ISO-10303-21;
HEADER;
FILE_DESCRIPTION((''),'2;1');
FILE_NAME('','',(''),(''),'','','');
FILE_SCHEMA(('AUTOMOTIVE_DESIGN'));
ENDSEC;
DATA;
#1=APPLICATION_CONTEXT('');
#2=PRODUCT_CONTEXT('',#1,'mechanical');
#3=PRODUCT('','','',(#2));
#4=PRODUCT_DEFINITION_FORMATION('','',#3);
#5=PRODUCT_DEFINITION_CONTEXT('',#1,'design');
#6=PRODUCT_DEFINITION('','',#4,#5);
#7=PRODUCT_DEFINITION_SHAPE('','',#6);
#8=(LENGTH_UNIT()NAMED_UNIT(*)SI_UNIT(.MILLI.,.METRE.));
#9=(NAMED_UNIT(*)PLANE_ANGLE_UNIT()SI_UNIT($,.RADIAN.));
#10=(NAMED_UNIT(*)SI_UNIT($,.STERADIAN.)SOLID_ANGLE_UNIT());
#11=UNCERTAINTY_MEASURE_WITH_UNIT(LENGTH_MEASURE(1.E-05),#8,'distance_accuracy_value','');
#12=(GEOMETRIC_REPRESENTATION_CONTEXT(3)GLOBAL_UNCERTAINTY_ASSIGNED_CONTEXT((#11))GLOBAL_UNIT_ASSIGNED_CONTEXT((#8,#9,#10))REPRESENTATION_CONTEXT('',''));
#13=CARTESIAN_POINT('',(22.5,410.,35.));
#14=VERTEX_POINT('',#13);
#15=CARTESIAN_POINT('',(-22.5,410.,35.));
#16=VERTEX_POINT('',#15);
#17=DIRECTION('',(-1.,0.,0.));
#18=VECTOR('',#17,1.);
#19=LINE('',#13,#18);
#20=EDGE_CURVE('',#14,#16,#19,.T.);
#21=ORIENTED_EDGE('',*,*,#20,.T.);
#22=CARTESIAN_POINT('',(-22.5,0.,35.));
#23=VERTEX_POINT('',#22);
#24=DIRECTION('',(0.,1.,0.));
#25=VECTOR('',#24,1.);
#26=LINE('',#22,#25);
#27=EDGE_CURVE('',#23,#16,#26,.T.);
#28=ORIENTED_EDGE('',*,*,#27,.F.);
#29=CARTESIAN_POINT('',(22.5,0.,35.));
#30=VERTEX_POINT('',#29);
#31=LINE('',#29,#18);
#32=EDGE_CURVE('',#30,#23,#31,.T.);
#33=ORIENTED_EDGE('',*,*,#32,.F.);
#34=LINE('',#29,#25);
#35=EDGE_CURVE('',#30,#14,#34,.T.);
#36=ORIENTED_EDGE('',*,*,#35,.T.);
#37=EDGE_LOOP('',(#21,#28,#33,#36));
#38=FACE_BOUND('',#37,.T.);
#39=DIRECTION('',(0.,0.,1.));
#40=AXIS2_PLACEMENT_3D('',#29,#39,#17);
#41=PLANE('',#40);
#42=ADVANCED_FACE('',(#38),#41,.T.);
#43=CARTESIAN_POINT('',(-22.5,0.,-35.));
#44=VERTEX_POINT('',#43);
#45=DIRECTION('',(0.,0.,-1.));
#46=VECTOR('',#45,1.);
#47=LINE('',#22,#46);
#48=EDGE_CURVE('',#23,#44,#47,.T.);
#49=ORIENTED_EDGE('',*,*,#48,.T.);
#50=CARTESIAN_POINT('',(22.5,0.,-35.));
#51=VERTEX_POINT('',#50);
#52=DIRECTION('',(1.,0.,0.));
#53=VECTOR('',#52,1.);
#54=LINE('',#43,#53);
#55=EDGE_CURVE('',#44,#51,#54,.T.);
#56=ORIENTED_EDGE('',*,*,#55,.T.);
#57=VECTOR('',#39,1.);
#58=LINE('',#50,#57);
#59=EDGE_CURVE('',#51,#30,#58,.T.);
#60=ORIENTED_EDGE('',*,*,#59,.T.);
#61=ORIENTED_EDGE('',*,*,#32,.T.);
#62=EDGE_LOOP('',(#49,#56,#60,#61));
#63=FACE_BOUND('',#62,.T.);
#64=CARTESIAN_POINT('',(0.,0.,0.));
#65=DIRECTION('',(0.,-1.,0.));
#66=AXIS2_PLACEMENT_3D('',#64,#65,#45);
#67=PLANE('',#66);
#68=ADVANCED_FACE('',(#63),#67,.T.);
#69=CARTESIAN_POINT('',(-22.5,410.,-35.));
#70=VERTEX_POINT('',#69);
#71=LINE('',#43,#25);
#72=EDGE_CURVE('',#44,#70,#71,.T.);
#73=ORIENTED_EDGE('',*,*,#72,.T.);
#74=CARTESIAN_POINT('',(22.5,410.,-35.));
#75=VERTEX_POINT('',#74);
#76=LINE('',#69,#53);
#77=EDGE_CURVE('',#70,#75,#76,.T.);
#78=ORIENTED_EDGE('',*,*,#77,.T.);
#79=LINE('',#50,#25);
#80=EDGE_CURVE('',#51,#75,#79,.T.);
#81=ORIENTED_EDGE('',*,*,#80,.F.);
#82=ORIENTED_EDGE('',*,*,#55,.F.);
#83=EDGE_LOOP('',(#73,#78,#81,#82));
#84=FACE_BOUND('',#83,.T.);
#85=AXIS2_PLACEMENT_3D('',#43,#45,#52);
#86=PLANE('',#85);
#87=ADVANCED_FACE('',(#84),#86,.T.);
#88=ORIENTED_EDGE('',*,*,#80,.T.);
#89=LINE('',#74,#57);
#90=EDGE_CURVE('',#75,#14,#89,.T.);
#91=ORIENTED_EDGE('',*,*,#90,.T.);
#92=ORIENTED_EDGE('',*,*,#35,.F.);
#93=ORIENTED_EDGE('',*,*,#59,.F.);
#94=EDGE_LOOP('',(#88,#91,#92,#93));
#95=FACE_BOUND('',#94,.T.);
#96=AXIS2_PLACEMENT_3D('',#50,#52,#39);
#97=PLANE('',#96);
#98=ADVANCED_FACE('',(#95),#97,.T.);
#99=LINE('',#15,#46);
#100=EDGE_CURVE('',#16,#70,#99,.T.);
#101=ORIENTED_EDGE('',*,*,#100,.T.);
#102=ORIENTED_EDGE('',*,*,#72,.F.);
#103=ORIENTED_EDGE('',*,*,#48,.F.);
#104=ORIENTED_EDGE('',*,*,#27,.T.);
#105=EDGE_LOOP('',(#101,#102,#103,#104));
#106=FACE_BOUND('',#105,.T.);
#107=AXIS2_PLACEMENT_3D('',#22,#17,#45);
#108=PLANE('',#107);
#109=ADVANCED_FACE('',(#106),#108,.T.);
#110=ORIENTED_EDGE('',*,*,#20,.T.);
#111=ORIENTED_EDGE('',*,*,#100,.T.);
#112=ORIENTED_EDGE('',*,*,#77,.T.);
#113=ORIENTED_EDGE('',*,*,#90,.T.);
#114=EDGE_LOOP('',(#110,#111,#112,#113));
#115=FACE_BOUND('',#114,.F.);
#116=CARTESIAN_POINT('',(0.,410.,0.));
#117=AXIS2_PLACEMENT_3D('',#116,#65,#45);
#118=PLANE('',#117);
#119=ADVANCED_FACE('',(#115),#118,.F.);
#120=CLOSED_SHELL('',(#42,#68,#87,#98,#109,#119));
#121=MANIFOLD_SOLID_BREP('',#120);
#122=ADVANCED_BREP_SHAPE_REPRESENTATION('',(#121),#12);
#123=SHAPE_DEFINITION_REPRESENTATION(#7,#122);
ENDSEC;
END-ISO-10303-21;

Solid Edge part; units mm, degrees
sketch "Sketch1" plane through (0, 0, 0) normal (0, -1, 0) x (1, 0, 0)
  line L0 (-22.5, -35) -> (22.5, -35)
  line L1 (22.5, -35) -> (22.5, 35)
  line L2 (22.5, 35) -> (-22.5, 35)
  line L3 (-22.5, 35) -> (-22.5, -35)
extrude "Protrusion1" add sketch "Sketch1" against normal blind 410
properties material "Wood, Pine"
